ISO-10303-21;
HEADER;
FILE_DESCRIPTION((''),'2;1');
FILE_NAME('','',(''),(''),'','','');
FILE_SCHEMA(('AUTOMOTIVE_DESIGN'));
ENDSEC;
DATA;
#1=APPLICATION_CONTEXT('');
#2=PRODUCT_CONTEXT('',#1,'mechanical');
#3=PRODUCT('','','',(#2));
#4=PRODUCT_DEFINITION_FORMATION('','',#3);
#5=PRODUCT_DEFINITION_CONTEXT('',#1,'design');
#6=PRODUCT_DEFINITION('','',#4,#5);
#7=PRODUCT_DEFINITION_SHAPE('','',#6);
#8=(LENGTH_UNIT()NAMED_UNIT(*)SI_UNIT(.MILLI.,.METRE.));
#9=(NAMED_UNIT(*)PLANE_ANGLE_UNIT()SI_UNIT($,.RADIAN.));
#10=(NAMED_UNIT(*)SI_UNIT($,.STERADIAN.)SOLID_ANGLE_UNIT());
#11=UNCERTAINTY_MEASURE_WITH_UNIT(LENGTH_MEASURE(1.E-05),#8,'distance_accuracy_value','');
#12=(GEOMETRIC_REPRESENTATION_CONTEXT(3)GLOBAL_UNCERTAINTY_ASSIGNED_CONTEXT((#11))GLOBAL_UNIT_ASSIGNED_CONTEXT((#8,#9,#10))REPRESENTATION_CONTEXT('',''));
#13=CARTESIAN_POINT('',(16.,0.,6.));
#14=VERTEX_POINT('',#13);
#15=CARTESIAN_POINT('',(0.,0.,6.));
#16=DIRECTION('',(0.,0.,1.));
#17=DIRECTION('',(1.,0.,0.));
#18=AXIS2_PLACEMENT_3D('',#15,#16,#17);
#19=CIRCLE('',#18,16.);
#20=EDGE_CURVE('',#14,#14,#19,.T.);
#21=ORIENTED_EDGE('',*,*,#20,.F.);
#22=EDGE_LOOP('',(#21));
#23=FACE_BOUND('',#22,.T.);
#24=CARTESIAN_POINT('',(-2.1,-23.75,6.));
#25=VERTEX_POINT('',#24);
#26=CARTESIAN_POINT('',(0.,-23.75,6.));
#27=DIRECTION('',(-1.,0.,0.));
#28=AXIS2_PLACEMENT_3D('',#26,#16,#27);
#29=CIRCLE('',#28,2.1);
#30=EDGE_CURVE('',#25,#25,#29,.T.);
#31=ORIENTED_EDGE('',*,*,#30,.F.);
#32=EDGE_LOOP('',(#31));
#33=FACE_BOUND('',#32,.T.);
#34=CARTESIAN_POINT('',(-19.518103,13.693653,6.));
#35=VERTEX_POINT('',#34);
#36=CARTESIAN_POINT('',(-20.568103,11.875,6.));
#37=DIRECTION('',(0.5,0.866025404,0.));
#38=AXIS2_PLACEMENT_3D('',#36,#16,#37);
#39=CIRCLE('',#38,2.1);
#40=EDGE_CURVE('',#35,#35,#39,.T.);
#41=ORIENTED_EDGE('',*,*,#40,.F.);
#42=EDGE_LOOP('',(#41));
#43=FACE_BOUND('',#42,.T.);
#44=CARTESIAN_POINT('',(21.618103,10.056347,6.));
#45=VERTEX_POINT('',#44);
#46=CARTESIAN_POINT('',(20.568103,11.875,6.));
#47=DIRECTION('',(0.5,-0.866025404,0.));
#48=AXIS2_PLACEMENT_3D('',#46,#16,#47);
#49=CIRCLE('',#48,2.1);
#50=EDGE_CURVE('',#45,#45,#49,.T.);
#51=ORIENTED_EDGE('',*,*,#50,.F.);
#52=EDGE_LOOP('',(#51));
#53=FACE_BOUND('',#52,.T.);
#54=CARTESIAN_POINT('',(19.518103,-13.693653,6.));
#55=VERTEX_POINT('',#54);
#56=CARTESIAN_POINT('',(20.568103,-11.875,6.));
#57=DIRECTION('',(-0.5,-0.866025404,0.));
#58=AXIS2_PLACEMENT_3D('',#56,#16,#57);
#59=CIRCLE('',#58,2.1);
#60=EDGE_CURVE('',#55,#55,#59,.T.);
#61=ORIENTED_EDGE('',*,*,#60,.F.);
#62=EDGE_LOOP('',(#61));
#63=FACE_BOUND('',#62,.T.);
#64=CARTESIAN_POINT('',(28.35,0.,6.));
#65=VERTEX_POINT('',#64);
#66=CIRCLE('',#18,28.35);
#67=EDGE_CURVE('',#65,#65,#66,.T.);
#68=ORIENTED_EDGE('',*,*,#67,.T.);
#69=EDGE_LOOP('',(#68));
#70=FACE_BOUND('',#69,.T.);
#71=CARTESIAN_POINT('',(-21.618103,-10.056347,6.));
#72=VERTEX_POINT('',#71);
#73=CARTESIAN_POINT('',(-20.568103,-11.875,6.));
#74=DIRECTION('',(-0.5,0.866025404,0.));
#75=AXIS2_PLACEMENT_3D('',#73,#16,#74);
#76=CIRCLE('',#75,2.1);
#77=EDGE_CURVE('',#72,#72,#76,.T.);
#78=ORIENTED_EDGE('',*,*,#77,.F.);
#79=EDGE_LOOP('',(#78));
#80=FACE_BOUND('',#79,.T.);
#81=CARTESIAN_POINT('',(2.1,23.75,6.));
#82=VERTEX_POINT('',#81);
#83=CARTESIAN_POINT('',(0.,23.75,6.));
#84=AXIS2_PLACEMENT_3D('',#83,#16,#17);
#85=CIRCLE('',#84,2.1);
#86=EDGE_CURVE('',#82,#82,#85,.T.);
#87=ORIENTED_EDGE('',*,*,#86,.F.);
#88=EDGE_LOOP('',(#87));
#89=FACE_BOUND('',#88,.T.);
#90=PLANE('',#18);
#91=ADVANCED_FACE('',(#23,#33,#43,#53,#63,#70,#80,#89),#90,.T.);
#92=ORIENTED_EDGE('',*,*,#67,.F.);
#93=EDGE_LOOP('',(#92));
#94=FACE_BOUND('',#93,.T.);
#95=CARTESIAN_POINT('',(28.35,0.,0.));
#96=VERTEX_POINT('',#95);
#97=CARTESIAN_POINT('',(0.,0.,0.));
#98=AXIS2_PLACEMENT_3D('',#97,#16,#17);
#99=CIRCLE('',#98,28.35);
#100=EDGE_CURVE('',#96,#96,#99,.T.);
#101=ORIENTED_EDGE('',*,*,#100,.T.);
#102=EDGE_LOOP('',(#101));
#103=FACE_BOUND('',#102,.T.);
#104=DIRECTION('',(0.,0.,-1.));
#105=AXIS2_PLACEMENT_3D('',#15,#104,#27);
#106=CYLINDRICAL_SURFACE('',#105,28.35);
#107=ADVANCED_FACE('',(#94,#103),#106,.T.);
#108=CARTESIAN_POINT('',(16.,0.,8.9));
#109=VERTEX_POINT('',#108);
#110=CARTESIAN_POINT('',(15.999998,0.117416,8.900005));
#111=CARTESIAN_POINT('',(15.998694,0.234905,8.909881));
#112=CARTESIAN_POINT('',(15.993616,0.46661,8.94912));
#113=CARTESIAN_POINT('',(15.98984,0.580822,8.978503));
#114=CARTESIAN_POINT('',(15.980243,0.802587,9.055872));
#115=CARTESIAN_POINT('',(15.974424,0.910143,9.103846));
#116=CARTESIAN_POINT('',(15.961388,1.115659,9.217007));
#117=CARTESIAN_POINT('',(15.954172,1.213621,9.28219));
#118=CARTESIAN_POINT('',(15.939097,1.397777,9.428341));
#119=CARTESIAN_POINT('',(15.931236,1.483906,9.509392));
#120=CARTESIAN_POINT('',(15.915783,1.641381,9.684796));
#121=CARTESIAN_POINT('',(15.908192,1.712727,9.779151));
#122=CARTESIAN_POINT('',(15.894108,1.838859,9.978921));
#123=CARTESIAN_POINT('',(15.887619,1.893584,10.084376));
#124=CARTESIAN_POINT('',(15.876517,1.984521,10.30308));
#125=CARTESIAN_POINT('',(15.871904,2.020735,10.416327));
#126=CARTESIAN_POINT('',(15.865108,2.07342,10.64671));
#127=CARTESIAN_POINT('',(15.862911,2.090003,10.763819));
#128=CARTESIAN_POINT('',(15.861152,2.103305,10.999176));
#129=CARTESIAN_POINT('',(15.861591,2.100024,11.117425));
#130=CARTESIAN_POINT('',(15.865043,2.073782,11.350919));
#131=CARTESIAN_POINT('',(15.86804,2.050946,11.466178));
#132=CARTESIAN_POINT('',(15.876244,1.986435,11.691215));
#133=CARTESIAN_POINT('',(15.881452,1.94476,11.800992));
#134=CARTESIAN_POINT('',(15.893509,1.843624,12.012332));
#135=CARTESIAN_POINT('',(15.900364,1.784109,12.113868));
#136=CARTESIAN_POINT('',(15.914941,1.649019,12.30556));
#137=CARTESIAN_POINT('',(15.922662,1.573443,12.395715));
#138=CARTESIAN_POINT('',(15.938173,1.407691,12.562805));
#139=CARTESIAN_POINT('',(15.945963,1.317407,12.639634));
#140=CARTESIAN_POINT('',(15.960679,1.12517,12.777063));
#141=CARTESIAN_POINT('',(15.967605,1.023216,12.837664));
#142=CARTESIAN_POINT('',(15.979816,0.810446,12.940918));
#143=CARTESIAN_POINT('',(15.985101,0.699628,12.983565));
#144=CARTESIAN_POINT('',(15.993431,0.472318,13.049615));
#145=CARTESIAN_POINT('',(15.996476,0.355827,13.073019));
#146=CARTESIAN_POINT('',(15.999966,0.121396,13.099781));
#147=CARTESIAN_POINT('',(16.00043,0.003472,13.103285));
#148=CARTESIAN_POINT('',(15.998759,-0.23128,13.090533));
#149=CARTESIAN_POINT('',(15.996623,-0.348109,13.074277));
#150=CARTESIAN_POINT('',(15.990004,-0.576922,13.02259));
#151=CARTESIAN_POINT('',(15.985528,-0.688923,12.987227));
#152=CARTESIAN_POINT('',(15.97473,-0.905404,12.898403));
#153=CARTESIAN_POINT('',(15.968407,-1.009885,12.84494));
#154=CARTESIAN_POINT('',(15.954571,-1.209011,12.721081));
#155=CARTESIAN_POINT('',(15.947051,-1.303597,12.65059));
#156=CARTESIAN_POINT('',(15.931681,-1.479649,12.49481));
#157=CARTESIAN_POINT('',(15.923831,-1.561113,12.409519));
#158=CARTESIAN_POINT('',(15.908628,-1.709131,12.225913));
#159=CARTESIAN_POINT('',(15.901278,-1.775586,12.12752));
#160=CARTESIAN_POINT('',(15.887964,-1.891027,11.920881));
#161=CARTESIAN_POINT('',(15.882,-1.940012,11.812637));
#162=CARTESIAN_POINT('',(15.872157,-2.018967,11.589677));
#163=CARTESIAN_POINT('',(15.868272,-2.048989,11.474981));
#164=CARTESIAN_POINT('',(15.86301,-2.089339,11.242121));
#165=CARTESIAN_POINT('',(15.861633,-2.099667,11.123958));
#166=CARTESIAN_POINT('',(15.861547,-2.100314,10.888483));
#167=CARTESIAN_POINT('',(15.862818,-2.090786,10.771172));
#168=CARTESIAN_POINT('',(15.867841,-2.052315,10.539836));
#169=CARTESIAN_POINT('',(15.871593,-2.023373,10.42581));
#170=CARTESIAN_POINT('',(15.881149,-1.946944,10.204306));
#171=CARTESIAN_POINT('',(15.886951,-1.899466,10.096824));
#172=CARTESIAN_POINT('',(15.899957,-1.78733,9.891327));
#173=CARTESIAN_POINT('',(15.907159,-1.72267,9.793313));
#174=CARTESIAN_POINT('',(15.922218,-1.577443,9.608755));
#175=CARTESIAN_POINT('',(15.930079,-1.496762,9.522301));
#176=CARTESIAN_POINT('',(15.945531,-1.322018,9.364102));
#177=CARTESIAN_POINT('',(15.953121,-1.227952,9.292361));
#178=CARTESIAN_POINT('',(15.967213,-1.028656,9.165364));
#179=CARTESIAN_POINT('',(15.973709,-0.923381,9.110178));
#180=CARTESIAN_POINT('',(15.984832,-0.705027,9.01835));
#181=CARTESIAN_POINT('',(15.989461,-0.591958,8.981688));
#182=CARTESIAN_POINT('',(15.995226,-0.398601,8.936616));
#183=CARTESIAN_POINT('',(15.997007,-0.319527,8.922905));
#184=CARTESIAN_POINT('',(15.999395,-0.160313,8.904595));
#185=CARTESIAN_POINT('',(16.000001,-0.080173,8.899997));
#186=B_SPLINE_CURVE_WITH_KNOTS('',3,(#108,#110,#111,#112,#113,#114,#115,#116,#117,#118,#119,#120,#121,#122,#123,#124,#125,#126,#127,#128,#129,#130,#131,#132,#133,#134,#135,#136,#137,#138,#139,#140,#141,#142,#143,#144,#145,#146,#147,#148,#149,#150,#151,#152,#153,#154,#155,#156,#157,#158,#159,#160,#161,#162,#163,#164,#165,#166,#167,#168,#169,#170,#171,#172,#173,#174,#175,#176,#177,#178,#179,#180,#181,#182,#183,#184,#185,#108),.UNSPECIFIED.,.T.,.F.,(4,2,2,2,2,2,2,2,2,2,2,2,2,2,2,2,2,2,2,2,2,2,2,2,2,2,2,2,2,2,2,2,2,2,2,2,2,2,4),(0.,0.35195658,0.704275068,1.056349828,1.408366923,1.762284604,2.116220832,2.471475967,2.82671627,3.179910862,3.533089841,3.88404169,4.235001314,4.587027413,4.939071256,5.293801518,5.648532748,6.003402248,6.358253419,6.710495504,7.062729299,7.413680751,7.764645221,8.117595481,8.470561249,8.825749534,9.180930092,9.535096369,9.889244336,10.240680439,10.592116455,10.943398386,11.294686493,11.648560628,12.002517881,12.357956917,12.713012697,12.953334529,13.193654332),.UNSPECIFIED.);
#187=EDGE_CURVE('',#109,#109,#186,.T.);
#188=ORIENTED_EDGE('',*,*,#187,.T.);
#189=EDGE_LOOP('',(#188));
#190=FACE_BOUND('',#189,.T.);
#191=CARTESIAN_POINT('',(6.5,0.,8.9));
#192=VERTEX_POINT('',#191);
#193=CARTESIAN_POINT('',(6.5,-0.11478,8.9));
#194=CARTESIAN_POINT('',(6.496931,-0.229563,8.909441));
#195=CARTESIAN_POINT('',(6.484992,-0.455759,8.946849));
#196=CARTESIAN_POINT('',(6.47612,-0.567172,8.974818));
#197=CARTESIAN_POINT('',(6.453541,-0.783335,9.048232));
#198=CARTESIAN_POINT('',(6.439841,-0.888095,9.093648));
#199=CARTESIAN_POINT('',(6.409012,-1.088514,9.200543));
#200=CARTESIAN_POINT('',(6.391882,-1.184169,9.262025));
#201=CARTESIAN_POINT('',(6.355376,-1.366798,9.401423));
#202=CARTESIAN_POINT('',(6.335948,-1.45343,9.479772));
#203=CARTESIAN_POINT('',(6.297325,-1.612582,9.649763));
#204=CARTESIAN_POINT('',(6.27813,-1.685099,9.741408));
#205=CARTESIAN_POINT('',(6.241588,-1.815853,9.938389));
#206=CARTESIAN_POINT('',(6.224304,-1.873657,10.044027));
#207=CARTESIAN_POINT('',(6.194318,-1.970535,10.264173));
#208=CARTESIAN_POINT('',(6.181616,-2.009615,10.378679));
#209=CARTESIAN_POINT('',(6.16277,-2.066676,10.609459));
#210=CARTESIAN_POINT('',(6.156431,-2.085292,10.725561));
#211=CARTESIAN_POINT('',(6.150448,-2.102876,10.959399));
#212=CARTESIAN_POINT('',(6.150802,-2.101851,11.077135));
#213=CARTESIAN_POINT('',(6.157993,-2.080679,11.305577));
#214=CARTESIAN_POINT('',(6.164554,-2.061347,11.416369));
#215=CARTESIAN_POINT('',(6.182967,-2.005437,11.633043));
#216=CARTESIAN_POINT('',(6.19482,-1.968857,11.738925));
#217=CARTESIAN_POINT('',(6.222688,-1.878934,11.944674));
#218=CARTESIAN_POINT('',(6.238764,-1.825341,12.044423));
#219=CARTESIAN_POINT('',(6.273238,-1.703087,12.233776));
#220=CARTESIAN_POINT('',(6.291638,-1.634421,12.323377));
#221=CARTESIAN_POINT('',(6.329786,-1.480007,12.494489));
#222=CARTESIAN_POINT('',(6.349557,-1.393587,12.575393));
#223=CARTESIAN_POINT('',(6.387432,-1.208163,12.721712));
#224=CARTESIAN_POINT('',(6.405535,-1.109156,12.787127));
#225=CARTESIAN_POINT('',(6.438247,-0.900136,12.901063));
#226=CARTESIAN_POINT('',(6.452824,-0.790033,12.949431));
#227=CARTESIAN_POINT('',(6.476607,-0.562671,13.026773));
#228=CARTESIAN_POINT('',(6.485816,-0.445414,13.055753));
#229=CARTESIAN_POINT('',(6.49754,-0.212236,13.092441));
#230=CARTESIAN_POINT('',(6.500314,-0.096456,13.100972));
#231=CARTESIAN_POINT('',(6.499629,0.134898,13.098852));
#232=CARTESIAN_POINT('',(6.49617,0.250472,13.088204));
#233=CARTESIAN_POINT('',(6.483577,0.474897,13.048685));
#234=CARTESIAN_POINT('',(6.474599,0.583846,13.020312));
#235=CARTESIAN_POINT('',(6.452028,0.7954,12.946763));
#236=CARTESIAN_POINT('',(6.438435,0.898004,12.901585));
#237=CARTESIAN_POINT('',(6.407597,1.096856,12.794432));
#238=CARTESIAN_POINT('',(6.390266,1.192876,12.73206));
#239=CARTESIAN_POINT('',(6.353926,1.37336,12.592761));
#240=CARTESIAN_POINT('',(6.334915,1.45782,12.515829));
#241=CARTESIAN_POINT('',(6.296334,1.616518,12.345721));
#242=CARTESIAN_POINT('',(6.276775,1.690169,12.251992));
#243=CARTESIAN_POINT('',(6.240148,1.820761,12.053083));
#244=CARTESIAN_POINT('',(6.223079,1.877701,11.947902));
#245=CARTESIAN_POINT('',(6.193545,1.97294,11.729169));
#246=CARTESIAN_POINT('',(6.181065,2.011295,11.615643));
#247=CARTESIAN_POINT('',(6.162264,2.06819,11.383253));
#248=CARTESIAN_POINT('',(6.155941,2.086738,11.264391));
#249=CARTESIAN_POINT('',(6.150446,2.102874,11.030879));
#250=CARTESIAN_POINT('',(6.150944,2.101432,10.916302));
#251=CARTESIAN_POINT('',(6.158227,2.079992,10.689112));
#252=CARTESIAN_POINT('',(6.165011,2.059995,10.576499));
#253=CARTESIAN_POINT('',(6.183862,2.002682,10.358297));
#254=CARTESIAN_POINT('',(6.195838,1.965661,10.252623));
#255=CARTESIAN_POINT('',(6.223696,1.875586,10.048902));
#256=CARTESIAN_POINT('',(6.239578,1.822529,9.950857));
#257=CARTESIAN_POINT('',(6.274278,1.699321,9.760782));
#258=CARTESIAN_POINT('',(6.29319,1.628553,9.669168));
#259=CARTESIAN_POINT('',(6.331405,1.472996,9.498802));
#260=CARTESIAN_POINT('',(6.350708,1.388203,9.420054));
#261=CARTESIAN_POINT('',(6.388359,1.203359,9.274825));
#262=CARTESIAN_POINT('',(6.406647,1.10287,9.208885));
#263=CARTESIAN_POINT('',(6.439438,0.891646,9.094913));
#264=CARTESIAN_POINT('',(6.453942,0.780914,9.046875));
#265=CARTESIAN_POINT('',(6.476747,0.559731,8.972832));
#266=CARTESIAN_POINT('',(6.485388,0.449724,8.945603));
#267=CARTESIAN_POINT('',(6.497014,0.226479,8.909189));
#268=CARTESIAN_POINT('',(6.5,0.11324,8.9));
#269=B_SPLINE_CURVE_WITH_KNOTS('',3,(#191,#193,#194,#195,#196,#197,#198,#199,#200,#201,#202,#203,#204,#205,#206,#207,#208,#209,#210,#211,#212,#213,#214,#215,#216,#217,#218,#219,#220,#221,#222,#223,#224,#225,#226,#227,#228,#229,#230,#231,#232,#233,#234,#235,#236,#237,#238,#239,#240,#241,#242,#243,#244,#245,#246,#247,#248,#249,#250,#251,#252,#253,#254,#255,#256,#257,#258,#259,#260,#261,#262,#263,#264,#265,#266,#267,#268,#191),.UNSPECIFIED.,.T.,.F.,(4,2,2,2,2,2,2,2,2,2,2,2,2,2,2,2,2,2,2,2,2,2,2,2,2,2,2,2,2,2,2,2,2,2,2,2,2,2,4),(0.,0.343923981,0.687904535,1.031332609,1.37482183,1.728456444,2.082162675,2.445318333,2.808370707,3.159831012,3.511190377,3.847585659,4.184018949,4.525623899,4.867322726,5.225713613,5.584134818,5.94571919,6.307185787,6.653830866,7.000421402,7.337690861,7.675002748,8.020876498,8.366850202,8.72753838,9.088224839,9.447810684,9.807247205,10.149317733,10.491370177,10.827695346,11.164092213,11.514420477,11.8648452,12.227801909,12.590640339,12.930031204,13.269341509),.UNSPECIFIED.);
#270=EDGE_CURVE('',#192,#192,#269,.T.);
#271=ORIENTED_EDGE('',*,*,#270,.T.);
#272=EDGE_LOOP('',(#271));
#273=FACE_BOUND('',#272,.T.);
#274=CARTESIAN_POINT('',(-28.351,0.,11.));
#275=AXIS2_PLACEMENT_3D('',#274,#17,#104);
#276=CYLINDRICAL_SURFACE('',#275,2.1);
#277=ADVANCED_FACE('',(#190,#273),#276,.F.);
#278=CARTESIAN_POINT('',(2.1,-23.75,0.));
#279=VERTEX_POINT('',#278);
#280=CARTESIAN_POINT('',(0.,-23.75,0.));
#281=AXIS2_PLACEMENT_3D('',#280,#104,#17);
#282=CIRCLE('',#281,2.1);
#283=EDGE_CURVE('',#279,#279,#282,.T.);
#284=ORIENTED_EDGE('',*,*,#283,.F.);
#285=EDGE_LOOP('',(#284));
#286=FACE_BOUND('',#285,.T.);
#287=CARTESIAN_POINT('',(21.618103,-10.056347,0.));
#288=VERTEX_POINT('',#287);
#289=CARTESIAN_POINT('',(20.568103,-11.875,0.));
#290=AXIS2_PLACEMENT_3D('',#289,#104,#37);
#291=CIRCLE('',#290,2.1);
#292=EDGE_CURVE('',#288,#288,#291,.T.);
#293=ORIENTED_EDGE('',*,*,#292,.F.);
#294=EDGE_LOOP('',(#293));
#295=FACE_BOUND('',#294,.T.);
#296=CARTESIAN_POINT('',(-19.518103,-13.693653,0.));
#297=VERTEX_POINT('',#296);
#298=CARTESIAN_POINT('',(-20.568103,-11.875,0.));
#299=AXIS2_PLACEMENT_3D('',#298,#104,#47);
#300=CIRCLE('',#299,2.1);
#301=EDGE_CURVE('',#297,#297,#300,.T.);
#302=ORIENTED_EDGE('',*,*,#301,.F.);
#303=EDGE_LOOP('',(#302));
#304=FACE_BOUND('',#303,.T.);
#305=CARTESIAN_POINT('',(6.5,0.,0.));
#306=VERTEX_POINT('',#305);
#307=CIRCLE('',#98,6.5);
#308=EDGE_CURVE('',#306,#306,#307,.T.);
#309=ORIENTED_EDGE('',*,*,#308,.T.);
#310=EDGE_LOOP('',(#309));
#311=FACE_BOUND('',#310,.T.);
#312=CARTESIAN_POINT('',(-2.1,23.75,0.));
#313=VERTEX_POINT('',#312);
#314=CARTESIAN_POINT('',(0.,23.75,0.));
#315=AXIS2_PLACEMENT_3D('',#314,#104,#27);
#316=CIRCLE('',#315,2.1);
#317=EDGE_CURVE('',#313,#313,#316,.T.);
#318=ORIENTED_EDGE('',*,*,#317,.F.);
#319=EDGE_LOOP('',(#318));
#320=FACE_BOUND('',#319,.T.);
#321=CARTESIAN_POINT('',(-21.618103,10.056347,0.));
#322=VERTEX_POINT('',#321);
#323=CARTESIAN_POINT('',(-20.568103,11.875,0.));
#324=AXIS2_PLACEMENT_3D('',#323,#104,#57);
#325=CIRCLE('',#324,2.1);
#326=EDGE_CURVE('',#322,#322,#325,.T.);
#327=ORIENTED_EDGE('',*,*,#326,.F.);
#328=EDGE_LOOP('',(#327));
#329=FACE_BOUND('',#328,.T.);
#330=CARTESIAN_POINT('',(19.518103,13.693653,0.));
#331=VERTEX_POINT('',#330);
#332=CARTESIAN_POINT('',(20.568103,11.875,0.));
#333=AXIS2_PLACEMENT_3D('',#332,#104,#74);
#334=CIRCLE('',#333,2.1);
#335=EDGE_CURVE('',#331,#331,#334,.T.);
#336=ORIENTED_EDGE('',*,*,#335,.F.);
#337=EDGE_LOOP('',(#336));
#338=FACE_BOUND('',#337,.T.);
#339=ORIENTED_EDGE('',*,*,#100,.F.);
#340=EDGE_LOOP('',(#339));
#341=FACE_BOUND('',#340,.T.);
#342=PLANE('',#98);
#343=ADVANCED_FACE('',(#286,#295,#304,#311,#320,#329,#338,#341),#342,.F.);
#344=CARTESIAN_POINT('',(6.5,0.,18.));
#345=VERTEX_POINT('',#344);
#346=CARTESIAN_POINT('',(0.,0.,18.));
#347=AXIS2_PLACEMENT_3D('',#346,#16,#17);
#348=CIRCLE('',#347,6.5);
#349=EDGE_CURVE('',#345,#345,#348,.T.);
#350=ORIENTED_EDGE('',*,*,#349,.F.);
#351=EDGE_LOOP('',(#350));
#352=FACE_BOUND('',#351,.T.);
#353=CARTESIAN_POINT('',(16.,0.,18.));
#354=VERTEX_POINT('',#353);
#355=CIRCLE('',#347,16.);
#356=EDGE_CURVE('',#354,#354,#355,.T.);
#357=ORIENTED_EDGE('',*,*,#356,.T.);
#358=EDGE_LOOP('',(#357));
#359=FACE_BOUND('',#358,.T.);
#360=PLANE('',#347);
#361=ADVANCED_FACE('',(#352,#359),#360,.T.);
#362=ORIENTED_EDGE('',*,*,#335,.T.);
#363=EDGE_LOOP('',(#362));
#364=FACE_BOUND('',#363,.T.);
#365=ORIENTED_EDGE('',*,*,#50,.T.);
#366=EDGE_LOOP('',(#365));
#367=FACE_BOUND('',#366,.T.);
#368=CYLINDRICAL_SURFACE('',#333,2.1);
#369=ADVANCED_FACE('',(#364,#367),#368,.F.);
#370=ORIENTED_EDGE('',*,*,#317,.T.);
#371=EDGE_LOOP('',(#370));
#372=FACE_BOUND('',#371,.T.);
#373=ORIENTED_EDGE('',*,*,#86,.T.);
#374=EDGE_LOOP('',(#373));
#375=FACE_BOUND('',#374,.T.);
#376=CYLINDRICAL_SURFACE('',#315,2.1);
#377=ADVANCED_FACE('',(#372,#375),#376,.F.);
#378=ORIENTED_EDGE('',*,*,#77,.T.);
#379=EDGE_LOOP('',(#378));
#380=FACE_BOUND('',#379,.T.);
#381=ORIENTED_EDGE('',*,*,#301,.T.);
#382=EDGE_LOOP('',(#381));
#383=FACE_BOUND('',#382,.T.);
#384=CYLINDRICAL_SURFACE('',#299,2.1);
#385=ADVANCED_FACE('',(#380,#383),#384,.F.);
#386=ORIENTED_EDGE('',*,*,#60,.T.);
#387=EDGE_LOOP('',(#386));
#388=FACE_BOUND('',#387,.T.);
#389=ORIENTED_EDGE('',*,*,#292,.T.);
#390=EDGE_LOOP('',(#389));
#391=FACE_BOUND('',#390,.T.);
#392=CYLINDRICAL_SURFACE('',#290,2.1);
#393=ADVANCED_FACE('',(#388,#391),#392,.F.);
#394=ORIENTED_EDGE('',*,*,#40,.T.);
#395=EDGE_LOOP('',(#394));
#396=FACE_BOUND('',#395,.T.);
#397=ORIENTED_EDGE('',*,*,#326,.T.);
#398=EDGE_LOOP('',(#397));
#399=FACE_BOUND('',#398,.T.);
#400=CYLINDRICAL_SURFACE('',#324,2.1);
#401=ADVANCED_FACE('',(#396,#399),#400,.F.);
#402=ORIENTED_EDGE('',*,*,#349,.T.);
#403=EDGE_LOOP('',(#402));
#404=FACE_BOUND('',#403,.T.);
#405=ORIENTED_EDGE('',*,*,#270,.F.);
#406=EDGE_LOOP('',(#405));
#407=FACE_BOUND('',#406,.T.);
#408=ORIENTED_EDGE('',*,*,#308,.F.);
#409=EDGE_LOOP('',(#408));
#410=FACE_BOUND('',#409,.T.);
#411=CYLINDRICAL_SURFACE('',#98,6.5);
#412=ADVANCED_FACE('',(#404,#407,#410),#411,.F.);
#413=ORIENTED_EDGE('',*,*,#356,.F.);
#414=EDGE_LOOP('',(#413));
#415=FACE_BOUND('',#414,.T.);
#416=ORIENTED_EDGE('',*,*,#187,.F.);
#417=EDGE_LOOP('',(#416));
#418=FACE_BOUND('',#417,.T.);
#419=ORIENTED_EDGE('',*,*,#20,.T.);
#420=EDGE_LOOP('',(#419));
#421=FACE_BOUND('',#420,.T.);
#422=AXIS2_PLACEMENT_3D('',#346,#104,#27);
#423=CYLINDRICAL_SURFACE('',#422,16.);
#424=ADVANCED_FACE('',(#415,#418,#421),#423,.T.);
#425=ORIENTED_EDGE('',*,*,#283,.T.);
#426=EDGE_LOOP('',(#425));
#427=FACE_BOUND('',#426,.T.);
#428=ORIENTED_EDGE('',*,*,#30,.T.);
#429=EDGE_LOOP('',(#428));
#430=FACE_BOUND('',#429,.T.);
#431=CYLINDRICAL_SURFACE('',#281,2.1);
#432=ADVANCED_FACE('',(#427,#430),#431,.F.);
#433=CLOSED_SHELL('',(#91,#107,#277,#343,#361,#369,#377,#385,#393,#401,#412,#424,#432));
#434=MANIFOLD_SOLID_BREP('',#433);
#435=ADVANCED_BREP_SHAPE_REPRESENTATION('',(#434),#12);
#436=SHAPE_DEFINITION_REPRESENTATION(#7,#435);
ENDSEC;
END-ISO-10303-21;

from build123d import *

# Parameters (mm, degrees)
SKETCH_1_R               = 28.35
EXTRUDE_1_DEPTH          = 6
SKETCH_2_R               = 16
EXTRUDE_2_DEPTH          = 12
SKETCH_3_R               = 6.5
CUT_EXTRUDE_1_DEPTH      = 44.948208155
HOLE_WIZARD_M5_2_D       = 4.2
PATTERN_CIRCULAR_1_COUNT = 6
CUT_EXTRUDE_3_REACH      = 57.63
SKETCH_6_R               = 2.1


with BuildPart() as part:
    # 草圖1 → 填料-伸長1 (new body)
    with BuildSketch(Plane.XY):
        Circle(SKETCH_1_R)
    extrude(amount=EXTRUDE_1_DEPTH)

    # 草圖2 → 填料-伸長2 (add)
    with BuildSketch(Plane.XY.offset(6)):
        Circle(SKETCH_2_R)
    extrude(amount=EXTRUDE_2_DEPTH)

    # 草圖3 → 除料-伸長1 (cut, through all)
    with BuildSketch(Plane.XY.offset(18)):
        Circle(SKETCH_3_R)
    extrude(amount=-CUT_EXTRUDE_1_DEPTH, mode=Mode.SUBTRACT)

    # M5 螺紋孔2 (through all)
    with Locations(Plane(origin=(0, 0, 0), x_dir=(-1, 0, 0), z_dir=(0, 0, -1))):
        with Locations((0, 23.75)):
            hole_wizard_m5_2 = Hole(HOLE_WIZARD_M5_2_D / 2)

    # 環狀複製排列1: M5 螺紋孔2 ×6 about axis
    pattern_circular_1_axis = Axis((0, 0, 6), (0, 0, 1))
    for i in range(1, PATTERN_CIRCULAR_1_COUNT):
        add(hole_wizard_m5_2.rotate(pattern_circular_1_axis, i * 360 / PATTERN_CIRCULAR_1_COUNT), mode=Mode.SUBTRACT)

    # 草圖6 → 除料-伸長3 (cut, up to next)
    with BuildSketch(Plane(origin=(16, 0, 0), x_dir=(0, 0, -1), z_dir=(1, 0, 0)), mode=Mode.PRIVATE) as cut_extrude_3_sk1:
        with Locations((-11, 0)):
            Circle(SKETCH_6_R)
    cut_extrude_3_tool1 = extrude(cut_extrude_3_sk1.sketch, amount=-CUT_EXTRUDE_3_REACH, mode=Mode.PRIVATE) & part.part
    add(cut_extrude_3_tool1.solids().sort_by_distance((16, 0, 11))[0], mode=Mode.SUBTRACT)


solid = part.part
